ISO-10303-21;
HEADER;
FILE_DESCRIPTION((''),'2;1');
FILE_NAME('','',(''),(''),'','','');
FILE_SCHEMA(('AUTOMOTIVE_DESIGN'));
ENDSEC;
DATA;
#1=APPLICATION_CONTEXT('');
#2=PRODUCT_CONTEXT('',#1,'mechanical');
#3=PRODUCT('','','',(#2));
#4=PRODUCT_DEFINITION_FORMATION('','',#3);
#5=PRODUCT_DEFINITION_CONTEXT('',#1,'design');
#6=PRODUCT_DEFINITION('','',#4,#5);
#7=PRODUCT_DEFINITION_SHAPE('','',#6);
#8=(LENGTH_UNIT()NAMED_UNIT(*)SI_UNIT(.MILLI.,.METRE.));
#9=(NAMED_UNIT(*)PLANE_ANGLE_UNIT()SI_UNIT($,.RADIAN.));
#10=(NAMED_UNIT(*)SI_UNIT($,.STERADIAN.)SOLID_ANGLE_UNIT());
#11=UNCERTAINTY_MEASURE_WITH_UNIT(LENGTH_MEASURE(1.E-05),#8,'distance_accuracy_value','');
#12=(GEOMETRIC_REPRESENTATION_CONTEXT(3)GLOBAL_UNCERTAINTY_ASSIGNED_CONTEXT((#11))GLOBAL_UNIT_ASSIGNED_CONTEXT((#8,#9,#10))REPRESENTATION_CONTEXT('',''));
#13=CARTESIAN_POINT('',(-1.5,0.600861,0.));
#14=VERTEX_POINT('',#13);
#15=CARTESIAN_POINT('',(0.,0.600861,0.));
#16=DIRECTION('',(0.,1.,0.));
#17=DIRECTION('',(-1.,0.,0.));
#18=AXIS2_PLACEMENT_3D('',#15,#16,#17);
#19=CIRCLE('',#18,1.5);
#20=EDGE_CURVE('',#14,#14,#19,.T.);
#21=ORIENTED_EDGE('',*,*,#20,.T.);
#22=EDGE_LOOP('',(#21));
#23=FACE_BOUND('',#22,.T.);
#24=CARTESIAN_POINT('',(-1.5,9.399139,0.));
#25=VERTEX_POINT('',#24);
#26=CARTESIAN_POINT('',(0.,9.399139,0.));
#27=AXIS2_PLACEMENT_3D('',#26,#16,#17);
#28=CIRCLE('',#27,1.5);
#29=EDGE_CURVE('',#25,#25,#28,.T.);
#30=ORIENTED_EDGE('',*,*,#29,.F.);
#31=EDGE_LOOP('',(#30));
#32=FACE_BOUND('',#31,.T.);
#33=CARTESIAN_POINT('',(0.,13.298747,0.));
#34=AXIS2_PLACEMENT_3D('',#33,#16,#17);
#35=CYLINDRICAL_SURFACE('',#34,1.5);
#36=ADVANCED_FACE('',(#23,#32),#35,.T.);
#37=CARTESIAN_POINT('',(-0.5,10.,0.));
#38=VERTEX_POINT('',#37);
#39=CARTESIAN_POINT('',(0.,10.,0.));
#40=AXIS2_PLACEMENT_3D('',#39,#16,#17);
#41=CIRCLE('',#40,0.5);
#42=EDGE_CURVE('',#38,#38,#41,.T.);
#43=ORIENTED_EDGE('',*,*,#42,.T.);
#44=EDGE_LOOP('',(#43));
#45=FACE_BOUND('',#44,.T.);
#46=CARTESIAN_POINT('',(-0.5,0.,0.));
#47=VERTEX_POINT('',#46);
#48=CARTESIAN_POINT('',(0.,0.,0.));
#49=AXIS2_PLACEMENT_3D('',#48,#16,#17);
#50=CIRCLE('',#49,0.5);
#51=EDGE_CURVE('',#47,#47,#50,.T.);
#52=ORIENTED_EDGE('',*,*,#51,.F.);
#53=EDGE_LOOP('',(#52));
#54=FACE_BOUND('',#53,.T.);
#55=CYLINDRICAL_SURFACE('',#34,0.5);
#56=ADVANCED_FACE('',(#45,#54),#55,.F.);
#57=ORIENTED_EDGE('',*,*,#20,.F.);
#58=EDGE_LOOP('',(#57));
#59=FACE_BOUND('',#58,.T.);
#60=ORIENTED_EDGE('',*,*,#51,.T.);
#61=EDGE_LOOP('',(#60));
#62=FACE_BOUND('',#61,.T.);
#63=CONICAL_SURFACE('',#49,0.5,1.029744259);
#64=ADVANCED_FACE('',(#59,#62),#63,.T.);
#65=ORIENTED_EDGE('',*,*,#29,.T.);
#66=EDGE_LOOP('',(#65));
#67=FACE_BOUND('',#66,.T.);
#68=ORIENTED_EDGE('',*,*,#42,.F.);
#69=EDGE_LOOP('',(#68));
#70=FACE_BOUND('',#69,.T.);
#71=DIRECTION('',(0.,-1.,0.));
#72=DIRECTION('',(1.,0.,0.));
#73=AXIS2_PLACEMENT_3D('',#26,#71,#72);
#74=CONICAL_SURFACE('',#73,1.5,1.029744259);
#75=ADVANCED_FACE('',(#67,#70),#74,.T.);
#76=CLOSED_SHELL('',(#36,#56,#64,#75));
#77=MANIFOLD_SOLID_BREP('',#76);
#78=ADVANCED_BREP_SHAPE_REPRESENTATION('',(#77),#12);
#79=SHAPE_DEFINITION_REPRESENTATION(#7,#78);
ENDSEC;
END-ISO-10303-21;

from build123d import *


with BuildPart() as part:
    # Sketch1 → Revolve1 (revolve)
    with BuildSketch(Plane.XY):
        Polygon((0.5, 10), (0.5, 0), (1.5, 0.600860619), (1.5, 9.399139381), align=None)
    revolve(axis=Axis((0, 13.298747267, 0), (0, -1, 0)))


solid = part.part
